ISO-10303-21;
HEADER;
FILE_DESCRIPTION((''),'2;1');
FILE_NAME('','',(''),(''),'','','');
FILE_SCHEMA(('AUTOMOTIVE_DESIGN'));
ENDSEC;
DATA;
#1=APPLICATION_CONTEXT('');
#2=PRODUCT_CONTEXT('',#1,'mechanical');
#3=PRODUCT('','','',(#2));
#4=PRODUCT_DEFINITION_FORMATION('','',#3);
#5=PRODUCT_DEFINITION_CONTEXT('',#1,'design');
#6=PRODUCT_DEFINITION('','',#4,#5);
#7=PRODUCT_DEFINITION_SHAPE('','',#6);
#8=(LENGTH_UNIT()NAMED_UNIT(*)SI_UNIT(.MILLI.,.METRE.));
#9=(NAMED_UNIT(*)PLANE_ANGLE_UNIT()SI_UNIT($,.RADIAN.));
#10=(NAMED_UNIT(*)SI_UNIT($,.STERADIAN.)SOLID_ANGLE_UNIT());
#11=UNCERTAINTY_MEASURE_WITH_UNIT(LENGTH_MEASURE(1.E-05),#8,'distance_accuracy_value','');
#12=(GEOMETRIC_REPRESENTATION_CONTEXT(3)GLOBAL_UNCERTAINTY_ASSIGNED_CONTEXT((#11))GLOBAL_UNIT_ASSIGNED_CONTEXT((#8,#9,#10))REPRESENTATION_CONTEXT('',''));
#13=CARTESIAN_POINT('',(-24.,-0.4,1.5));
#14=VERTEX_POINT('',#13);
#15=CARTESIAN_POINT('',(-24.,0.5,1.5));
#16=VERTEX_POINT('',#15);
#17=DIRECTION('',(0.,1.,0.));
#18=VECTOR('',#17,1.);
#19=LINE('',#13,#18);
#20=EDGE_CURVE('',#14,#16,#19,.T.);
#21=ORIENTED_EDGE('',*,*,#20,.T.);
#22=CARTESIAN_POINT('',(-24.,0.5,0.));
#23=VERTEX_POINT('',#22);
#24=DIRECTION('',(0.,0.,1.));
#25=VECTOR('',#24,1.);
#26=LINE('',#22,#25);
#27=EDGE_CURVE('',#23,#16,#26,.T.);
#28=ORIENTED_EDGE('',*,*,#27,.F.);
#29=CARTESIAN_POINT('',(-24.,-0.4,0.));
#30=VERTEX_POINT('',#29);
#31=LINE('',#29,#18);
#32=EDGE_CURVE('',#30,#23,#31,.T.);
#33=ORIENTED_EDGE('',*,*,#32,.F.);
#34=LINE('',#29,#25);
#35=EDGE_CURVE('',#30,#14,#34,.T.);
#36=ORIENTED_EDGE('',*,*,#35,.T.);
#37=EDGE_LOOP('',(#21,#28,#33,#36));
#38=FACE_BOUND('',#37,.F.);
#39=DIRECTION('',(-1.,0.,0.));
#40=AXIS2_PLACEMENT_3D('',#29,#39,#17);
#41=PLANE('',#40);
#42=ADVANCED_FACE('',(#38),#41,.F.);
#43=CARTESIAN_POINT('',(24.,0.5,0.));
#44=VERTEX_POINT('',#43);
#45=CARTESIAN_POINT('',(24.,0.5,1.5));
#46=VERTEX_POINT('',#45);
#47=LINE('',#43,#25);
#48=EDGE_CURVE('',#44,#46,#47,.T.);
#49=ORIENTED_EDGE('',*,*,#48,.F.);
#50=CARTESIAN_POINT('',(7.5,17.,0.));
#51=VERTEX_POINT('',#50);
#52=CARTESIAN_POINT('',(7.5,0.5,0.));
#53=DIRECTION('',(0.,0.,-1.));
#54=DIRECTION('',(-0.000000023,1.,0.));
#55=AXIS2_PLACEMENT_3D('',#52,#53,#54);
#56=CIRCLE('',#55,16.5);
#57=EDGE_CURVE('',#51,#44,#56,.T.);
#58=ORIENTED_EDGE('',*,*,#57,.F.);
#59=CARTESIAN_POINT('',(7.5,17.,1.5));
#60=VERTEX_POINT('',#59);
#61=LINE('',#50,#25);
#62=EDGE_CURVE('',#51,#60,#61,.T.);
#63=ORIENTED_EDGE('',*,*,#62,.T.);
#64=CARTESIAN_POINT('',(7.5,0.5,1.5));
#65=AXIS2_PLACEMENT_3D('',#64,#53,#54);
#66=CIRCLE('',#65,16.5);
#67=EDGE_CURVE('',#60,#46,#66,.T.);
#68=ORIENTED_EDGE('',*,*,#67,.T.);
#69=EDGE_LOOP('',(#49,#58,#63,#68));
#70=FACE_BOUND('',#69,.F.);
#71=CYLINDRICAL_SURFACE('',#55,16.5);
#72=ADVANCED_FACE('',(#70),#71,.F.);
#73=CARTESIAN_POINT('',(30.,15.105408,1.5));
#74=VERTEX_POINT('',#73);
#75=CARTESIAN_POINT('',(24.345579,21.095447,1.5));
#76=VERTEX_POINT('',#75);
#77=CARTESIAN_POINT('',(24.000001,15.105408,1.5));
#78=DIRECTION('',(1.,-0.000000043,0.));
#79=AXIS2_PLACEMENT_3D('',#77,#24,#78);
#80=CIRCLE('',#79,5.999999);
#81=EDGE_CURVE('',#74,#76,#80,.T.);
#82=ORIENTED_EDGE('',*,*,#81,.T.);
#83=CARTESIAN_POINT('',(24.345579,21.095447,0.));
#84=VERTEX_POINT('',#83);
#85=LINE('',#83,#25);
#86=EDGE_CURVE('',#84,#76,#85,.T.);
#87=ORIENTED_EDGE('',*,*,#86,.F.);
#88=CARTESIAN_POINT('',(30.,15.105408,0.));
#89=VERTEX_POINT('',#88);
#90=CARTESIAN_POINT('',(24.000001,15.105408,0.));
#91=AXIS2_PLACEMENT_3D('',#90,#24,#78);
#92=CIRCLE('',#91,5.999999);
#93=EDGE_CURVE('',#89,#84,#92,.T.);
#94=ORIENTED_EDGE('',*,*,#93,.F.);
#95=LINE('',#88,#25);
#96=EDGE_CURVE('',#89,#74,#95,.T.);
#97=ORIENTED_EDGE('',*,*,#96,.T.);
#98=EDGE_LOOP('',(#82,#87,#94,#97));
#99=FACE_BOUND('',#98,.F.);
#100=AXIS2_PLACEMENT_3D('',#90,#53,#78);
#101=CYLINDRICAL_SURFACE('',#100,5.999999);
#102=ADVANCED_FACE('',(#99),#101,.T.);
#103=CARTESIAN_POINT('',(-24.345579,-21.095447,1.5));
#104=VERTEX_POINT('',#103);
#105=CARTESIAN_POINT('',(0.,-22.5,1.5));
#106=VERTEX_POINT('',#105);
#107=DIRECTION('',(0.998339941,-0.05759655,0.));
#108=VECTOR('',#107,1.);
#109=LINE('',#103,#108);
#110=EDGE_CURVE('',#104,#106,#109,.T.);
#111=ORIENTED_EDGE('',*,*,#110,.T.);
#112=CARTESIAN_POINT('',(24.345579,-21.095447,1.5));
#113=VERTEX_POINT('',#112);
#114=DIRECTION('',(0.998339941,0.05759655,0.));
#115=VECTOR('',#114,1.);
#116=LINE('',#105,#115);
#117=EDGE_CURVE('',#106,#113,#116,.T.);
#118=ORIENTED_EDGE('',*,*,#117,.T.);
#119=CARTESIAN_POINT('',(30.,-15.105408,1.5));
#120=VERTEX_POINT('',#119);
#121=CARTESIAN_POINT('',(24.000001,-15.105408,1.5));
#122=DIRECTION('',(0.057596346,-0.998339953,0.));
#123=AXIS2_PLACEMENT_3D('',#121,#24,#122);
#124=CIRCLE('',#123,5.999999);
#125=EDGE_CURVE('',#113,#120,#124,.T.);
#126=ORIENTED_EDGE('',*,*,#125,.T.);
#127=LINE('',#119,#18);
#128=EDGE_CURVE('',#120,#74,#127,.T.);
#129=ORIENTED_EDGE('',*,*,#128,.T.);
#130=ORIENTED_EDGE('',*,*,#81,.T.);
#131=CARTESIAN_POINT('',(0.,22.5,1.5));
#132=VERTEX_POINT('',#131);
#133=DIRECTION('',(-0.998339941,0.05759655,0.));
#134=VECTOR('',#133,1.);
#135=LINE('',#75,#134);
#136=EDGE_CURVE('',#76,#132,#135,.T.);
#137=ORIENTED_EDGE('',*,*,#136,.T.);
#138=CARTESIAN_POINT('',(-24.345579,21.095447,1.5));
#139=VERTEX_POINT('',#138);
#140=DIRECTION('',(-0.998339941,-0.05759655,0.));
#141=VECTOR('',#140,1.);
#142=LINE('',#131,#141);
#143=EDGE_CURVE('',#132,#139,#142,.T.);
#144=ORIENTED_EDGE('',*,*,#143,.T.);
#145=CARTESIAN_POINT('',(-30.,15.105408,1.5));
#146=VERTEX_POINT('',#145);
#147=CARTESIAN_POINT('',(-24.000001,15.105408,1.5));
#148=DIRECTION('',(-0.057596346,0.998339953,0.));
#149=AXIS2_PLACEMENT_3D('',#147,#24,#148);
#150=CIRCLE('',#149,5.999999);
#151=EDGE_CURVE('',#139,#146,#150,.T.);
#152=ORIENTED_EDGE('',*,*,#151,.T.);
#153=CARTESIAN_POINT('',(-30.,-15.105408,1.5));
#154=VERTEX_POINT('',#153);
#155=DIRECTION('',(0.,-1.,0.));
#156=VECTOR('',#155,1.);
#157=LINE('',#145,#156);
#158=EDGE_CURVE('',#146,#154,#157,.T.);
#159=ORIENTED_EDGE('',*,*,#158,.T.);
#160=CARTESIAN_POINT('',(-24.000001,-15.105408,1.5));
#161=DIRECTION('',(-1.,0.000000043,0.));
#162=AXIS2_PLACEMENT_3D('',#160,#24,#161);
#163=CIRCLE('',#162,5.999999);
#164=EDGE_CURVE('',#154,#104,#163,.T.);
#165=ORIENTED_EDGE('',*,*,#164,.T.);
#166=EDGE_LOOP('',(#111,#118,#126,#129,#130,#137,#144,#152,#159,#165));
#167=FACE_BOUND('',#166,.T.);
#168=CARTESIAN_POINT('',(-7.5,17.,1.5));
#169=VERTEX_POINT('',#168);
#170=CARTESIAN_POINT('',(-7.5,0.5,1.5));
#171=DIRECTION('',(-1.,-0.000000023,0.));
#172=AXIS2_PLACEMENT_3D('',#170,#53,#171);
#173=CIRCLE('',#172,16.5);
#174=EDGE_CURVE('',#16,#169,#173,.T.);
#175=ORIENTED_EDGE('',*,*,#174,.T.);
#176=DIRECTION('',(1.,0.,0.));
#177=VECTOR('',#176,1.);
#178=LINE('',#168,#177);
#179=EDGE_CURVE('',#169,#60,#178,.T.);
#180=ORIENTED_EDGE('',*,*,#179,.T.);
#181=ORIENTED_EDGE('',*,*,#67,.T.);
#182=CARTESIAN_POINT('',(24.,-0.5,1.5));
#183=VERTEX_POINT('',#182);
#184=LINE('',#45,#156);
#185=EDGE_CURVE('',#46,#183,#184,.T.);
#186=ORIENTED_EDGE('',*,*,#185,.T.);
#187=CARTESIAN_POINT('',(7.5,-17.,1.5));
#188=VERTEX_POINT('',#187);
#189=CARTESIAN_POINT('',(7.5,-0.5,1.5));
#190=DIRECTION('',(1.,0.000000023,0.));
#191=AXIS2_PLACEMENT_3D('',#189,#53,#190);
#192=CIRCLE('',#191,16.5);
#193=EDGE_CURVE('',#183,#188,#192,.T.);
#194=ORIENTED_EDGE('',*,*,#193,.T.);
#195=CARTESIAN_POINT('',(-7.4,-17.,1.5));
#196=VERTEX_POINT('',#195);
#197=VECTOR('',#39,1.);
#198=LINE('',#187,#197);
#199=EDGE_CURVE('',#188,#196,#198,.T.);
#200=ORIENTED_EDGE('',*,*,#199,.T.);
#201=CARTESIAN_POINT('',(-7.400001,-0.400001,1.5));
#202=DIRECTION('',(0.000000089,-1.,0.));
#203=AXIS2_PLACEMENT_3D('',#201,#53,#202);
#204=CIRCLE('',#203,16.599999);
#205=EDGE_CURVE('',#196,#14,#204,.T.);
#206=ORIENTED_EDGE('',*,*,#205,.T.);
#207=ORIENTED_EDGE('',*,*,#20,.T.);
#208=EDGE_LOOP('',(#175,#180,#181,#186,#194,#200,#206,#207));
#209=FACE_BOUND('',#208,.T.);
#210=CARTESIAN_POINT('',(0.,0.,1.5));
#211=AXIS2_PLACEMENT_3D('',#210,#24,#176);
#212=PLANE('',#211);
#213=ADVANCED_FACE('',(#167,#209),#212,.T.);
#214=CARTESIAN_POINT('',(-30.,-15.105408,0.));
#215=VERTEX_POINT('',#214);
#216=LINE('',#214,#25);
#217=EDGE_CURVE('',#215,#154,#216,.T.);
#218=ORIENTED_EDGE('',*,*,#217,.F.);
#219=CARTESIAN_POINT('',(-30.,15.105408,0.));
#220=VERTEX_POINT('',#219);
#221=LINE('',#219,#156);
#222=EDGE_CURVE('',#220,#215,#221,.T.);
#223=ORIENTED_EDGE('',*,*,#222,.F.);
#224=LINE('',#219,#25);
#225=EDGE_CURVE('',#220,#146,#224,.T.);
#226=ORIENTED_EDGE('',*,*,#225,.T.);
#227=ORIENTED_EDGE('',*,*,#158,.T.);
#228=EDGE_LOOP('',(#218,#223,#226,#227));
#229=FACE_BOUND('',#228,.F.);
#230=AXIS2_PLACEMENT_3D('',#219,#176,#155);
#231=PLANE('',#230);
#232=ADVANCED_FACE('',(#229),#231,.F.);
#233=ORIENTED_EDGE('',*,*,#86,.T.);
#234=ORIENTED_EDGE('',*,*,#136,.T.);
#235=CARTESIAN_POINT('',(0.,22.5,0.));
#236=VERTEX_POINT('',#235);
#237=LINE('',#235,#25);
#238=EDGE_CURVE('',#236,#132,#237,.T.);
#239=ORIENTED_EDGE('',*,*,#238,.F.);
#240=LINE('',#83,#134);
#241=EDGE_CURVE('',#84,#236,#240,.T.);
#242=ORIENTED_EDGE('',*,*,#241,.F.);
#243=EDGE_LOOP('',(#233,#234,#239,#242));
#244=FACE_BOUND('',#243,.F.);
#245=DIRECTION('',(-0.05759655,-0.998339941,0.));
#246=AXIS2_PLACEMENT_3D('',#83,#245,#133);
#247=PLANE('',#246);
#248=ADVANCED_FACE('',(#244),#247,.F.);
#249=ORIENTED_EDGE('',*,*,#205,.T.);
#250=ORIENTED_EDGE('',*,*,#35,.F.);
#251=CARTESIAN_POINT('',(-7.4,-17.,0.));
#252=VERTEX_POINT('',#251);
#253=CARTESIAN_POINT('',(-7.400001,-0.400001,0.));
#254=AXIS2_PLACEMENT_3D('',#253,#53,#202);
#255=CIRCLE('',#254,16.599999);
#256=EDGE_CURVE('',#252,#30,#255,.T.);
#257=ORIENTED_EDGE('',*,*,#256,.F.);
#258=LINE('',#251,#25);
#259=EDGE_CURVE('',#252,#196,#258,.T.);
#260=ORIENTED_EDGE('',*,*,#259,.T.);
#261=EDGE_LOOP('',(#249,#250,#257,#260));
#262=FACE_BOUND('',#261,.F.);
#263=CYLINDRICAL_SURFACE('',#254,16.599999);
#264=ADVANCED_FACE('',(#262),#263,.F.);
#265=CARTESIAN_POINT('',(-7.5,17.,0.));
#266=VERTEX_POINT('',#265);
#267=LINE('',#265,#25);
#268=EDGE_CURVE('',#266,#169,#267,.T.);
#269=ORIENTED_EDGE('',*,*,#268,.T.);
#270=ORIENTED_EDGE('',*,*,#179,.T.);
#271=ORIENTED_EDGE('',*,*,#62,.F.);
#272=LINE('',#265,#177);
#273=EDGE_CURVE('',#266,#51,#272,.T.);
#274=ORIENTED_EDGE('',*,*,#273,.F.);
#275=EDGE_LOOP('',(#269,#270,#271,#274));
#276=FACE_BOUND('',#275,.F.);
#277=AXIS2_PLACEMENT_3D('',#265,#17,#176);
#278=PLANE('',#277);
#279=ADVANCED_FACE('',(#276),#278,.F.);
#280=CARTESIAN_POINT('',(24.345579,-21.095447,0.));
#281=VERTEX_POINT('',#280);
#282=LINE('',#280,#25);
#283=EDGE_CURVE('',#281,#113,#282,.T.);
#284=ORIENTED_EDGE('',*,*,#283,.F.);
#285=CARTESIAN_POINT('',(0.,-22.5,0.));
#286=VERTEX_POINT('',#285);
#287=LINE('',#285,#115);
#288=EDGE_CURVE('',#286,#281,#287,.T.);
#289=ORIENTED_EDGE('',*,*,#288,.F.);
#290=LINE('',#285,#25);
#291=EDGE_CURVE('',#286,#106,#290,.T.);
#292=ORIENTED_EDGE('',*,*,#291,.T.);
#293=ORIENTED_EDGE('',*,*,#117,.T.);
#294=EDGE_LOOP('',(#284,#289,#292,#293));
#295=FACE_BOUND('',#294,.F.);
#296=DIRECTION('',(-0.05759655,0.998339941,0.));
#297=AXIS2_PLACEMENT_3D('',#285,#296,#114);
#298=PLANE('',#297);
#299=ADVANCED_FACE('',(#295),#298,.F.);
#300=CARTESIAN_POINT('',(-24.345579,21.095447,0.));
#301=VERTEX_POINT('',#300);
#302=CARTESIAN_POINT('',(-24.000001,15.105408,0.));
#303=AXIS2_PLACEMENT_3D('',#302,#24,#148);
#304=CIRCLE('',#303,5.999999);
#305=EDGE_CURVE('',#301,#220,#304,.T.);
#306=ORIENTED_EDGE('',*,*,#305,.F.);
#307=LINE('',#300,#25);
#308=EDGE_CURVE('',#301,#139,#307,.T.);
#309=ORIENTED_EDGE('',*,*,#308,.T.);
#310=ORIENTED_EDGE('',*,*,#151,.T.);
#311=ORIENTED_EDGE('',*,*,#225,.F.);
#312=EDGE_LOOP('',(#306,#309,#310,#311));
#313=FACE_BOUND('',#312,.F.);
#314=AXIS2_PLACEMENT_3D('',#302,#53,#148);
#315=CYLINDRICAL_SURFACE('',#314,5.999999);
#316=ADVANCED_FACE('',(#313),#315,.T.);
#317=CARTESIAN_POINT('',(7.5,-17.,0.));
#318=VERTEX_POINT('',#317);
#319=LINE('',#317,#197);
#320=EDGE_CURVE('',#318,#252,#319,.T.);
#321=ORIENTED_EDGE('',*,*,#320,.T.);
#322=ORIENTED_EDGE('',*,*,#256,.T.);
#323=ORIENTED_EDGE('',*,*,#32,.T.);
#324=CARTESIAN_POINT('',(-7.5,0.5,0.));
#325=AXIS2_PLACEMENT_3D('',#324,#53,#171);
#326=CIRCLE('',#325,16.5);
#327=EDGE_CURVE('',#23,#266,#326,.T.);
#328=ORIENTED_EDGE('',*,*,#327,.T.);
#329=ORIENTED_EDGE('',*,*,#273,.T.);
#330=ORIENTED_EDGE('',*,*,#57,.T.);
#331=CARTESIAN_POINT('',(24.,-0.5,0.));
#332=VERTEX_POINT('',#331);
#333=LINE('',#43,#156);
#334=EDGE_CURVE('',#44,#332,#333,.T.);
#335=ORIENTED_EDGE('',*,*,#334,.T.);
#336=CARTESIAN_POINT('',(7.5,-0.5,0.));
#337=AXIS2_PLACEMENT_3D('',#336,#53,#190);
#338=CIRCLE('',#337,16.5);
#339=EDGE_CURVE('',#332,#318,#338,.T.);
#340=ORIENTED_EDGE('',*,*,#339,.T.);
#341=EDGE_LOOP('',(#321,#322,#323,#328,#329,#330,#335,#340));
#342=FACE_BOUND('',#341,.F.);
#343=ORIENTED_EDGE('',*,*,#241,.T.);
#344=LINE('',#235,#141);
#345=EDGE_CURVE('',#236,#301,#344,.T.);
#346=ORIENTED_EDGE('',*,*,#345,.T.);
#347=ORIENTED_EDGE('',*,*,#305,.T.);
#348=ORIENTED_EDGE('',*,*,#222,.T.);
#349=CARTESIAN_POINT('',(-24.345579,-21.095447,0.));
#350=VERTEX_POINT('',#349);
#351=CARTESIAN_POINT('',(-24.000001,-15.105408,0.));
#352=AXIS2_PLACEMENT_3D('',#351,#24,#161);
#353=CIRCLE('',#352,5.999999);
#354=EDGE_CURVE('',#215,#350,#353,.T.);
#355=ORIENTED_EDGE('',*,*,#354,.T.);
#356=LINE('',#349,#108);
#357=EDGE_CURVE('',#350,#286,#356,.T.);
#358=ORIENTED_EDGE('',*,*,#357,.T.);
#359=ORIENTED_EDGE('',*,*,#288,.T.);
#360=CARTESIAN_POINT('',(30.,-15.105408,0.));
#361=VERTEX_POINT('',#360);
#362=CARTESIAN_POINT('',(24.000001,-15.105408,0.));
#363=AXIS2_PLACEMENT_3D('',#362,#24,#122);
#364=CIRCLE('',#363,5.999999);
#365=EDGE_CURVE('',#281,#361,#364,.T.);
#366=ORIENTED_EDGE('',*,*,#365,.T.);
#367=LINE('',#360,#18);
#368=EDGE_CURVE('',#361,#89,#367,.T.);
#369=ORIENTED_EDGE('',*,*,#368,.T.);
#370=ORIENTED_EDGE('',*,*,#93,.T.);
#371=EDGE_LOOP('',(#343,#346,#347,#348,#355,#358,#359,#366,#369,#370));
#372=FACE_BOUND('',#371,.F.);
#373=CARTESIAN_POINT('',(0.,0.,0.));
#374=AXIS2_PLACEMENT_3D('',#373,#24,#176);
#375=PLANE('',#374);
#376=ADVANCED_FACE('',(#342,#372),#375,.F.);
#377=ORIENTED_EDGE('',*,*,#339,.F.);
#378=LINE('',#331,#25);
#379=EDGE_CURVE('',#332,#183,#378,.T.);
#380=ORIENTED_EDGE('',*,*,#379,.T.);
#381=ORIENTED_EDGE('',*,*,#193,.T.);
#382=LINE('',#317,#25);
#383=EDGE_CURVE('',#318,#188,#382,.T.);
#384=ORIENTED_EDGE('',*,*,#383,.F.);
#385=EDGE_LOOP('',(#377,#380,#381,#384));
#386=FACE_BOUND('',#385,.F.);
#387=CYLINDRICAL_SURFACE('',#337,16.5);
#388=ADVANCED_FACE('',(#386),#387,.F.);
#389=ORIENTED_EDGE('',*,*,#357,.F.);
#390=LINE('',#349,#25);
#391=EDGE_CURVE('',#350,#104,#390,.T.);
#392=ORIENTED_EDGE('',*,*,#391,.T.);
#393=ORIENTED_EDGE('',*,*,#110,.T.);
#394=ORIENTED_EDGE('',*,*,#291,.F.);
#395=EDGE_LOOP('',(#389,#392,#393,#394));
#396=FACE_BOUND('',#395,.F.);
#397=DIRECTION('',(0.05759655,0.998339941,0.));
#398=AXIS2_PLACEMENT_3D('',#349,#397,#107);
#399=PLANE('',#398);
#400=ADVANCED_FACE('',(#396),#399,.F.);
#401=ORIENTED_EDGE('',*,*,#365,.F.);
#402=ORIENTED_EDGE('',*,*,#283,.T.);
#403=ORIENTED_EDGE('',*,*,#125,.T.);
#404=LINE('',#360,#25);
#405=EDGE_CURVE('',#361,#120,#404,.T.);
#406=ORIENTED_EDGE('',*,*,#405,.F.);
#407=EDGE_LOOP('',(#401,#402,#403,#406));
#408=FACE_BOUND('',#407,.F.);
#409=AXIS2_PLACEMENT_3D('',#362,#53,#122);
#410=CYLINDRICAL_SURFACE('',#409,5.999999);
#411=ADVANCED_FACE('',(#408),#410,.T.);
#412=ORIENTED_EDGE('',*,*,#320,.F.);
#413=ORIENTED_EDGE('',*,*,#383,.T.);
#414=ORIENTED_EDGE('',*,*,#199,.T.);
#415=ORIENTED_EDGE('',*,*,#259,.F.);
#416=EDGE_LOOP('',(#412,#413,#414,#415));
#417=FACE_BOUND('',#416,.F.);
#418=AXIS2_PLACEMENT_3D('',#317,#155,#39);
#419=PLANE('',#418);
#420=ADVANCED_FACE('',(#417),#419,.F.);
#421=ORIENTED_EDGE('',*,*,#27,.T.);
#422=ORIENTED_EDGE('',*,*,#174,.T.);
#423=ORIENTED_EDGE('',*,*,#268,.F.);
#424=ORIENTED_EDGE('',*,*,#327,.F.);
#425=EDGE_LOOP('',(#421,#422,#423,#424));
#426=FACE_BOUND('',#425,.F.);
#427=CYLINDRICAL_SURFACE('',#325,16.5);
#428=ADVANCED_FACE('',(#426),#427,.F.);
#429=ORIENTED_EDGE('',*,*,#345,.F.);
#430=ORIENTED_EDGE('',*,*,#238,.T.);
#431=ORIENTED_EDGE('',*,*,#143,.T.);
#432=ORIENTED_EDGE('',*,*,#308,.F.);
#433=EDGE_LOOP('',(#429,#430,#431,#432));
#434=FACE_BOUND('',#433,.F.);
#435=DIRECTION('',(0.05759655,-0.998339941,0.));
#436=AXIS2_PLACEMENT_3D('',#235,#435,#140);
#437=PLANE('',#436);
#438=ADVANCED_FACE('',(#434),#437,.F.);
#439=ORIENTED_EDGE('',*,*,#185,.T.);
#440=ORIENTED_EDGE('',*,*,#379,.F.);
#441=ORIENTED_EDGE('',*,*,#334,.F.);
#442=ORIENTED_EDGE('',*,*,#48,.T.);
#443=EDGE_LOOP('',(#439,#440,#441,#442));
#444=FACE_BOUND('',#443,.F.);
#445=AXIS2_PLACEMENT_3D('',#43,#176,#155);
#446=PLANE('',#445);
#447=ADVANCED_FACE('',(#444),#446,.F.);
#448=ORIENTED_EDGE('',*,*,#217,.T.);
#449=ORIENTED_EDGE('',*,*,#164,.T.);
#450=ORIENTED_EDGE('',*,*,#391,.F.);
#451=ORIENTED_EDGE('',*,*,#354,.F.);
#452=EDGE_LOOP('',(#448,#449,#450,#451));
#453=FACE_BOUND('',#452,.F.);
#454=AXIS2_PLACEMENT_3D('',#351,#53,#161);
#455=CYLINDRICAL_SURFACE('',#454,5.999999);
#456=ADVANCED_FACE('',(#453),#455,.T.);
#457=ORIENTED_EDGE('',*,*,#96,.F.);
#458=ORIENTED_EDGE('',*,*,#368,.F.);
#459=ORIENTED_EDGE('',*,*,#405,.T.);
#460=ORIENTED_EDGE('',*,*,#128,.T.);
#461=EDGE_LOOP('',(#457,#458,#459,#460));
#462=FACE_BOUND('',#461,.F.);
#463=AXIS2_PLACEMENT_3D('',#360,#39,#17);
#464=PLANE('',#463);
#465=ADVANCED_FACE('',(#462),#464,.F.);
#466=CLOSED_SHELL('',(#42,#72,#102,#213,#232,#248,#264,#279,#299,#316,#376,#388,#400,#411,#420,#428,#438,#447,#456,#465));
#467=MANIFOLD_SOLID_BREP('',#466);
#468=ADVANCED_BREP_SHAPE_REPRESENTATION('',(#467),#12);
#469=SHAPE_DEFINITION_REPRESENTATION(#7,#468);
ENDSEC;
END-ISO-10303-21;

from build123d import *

# Parameters (mm, degrees)
F1_DEPTH = 1.5


with BuildPart() as f1:
    # F0 (on Top) → F1 (new body)
    with BuildSketch(Plane.XY):
        with BuildLine():
            ThreePointArc((24.345579, -21.095447), (28.363111, -19.224056), (30, -15.105408))
            Line((30, -15.105408), (30, 15.105408))
            ThreePointArc((30, 15.105408), (28.363111, 19.224056), (24.345579, 21.095447))
            Line((24.345579, 21.095447), (0, 22.5))
            Line((0, 22.5), (-24.345579, 21.095447))
            ThreePointArc((-24.345579, 21.095447), (-28.363111, 19.224056), (-30, 15.105408))
            Line((-30, 15.105408), (-30, -15.105408))
            ThreePointArc((-30, -15.105408), (-28.363111, -19.224056), (-24.345579, -21.095447))
            Line((-24.345579, -21.095447), (0, -22.5))
            Line((0, -22.5), (24.345579, -21.095447))
        make_face()
        with BuildLine():
            ThreePointArc((24, -0.5), (19.167262, -12.167262), (7.5, -17))
            Line((7.5, -17), (-7.4, -17))
            ThreePointArc((-7.4, -17), (-19.137973, -12.137973), (-24, -0.4))
            Line((-24, -0.4), (-24, 0.5))
            ThreePointArc((-24, 0.5), (-19.167262, 12.167262), (-7.5, 17))
            Line((-7.5, 17), (7.5, 17))
            ThreePointArc((7.5, 17), (19.167262, 12.167262), (24, 0.5))
            Line((24, 0.5), (24, -0.5))
        make_face(mode=Mode.SUBTRACT)
    extrude(amount=F1_DEPTH)


solid = f1.part
